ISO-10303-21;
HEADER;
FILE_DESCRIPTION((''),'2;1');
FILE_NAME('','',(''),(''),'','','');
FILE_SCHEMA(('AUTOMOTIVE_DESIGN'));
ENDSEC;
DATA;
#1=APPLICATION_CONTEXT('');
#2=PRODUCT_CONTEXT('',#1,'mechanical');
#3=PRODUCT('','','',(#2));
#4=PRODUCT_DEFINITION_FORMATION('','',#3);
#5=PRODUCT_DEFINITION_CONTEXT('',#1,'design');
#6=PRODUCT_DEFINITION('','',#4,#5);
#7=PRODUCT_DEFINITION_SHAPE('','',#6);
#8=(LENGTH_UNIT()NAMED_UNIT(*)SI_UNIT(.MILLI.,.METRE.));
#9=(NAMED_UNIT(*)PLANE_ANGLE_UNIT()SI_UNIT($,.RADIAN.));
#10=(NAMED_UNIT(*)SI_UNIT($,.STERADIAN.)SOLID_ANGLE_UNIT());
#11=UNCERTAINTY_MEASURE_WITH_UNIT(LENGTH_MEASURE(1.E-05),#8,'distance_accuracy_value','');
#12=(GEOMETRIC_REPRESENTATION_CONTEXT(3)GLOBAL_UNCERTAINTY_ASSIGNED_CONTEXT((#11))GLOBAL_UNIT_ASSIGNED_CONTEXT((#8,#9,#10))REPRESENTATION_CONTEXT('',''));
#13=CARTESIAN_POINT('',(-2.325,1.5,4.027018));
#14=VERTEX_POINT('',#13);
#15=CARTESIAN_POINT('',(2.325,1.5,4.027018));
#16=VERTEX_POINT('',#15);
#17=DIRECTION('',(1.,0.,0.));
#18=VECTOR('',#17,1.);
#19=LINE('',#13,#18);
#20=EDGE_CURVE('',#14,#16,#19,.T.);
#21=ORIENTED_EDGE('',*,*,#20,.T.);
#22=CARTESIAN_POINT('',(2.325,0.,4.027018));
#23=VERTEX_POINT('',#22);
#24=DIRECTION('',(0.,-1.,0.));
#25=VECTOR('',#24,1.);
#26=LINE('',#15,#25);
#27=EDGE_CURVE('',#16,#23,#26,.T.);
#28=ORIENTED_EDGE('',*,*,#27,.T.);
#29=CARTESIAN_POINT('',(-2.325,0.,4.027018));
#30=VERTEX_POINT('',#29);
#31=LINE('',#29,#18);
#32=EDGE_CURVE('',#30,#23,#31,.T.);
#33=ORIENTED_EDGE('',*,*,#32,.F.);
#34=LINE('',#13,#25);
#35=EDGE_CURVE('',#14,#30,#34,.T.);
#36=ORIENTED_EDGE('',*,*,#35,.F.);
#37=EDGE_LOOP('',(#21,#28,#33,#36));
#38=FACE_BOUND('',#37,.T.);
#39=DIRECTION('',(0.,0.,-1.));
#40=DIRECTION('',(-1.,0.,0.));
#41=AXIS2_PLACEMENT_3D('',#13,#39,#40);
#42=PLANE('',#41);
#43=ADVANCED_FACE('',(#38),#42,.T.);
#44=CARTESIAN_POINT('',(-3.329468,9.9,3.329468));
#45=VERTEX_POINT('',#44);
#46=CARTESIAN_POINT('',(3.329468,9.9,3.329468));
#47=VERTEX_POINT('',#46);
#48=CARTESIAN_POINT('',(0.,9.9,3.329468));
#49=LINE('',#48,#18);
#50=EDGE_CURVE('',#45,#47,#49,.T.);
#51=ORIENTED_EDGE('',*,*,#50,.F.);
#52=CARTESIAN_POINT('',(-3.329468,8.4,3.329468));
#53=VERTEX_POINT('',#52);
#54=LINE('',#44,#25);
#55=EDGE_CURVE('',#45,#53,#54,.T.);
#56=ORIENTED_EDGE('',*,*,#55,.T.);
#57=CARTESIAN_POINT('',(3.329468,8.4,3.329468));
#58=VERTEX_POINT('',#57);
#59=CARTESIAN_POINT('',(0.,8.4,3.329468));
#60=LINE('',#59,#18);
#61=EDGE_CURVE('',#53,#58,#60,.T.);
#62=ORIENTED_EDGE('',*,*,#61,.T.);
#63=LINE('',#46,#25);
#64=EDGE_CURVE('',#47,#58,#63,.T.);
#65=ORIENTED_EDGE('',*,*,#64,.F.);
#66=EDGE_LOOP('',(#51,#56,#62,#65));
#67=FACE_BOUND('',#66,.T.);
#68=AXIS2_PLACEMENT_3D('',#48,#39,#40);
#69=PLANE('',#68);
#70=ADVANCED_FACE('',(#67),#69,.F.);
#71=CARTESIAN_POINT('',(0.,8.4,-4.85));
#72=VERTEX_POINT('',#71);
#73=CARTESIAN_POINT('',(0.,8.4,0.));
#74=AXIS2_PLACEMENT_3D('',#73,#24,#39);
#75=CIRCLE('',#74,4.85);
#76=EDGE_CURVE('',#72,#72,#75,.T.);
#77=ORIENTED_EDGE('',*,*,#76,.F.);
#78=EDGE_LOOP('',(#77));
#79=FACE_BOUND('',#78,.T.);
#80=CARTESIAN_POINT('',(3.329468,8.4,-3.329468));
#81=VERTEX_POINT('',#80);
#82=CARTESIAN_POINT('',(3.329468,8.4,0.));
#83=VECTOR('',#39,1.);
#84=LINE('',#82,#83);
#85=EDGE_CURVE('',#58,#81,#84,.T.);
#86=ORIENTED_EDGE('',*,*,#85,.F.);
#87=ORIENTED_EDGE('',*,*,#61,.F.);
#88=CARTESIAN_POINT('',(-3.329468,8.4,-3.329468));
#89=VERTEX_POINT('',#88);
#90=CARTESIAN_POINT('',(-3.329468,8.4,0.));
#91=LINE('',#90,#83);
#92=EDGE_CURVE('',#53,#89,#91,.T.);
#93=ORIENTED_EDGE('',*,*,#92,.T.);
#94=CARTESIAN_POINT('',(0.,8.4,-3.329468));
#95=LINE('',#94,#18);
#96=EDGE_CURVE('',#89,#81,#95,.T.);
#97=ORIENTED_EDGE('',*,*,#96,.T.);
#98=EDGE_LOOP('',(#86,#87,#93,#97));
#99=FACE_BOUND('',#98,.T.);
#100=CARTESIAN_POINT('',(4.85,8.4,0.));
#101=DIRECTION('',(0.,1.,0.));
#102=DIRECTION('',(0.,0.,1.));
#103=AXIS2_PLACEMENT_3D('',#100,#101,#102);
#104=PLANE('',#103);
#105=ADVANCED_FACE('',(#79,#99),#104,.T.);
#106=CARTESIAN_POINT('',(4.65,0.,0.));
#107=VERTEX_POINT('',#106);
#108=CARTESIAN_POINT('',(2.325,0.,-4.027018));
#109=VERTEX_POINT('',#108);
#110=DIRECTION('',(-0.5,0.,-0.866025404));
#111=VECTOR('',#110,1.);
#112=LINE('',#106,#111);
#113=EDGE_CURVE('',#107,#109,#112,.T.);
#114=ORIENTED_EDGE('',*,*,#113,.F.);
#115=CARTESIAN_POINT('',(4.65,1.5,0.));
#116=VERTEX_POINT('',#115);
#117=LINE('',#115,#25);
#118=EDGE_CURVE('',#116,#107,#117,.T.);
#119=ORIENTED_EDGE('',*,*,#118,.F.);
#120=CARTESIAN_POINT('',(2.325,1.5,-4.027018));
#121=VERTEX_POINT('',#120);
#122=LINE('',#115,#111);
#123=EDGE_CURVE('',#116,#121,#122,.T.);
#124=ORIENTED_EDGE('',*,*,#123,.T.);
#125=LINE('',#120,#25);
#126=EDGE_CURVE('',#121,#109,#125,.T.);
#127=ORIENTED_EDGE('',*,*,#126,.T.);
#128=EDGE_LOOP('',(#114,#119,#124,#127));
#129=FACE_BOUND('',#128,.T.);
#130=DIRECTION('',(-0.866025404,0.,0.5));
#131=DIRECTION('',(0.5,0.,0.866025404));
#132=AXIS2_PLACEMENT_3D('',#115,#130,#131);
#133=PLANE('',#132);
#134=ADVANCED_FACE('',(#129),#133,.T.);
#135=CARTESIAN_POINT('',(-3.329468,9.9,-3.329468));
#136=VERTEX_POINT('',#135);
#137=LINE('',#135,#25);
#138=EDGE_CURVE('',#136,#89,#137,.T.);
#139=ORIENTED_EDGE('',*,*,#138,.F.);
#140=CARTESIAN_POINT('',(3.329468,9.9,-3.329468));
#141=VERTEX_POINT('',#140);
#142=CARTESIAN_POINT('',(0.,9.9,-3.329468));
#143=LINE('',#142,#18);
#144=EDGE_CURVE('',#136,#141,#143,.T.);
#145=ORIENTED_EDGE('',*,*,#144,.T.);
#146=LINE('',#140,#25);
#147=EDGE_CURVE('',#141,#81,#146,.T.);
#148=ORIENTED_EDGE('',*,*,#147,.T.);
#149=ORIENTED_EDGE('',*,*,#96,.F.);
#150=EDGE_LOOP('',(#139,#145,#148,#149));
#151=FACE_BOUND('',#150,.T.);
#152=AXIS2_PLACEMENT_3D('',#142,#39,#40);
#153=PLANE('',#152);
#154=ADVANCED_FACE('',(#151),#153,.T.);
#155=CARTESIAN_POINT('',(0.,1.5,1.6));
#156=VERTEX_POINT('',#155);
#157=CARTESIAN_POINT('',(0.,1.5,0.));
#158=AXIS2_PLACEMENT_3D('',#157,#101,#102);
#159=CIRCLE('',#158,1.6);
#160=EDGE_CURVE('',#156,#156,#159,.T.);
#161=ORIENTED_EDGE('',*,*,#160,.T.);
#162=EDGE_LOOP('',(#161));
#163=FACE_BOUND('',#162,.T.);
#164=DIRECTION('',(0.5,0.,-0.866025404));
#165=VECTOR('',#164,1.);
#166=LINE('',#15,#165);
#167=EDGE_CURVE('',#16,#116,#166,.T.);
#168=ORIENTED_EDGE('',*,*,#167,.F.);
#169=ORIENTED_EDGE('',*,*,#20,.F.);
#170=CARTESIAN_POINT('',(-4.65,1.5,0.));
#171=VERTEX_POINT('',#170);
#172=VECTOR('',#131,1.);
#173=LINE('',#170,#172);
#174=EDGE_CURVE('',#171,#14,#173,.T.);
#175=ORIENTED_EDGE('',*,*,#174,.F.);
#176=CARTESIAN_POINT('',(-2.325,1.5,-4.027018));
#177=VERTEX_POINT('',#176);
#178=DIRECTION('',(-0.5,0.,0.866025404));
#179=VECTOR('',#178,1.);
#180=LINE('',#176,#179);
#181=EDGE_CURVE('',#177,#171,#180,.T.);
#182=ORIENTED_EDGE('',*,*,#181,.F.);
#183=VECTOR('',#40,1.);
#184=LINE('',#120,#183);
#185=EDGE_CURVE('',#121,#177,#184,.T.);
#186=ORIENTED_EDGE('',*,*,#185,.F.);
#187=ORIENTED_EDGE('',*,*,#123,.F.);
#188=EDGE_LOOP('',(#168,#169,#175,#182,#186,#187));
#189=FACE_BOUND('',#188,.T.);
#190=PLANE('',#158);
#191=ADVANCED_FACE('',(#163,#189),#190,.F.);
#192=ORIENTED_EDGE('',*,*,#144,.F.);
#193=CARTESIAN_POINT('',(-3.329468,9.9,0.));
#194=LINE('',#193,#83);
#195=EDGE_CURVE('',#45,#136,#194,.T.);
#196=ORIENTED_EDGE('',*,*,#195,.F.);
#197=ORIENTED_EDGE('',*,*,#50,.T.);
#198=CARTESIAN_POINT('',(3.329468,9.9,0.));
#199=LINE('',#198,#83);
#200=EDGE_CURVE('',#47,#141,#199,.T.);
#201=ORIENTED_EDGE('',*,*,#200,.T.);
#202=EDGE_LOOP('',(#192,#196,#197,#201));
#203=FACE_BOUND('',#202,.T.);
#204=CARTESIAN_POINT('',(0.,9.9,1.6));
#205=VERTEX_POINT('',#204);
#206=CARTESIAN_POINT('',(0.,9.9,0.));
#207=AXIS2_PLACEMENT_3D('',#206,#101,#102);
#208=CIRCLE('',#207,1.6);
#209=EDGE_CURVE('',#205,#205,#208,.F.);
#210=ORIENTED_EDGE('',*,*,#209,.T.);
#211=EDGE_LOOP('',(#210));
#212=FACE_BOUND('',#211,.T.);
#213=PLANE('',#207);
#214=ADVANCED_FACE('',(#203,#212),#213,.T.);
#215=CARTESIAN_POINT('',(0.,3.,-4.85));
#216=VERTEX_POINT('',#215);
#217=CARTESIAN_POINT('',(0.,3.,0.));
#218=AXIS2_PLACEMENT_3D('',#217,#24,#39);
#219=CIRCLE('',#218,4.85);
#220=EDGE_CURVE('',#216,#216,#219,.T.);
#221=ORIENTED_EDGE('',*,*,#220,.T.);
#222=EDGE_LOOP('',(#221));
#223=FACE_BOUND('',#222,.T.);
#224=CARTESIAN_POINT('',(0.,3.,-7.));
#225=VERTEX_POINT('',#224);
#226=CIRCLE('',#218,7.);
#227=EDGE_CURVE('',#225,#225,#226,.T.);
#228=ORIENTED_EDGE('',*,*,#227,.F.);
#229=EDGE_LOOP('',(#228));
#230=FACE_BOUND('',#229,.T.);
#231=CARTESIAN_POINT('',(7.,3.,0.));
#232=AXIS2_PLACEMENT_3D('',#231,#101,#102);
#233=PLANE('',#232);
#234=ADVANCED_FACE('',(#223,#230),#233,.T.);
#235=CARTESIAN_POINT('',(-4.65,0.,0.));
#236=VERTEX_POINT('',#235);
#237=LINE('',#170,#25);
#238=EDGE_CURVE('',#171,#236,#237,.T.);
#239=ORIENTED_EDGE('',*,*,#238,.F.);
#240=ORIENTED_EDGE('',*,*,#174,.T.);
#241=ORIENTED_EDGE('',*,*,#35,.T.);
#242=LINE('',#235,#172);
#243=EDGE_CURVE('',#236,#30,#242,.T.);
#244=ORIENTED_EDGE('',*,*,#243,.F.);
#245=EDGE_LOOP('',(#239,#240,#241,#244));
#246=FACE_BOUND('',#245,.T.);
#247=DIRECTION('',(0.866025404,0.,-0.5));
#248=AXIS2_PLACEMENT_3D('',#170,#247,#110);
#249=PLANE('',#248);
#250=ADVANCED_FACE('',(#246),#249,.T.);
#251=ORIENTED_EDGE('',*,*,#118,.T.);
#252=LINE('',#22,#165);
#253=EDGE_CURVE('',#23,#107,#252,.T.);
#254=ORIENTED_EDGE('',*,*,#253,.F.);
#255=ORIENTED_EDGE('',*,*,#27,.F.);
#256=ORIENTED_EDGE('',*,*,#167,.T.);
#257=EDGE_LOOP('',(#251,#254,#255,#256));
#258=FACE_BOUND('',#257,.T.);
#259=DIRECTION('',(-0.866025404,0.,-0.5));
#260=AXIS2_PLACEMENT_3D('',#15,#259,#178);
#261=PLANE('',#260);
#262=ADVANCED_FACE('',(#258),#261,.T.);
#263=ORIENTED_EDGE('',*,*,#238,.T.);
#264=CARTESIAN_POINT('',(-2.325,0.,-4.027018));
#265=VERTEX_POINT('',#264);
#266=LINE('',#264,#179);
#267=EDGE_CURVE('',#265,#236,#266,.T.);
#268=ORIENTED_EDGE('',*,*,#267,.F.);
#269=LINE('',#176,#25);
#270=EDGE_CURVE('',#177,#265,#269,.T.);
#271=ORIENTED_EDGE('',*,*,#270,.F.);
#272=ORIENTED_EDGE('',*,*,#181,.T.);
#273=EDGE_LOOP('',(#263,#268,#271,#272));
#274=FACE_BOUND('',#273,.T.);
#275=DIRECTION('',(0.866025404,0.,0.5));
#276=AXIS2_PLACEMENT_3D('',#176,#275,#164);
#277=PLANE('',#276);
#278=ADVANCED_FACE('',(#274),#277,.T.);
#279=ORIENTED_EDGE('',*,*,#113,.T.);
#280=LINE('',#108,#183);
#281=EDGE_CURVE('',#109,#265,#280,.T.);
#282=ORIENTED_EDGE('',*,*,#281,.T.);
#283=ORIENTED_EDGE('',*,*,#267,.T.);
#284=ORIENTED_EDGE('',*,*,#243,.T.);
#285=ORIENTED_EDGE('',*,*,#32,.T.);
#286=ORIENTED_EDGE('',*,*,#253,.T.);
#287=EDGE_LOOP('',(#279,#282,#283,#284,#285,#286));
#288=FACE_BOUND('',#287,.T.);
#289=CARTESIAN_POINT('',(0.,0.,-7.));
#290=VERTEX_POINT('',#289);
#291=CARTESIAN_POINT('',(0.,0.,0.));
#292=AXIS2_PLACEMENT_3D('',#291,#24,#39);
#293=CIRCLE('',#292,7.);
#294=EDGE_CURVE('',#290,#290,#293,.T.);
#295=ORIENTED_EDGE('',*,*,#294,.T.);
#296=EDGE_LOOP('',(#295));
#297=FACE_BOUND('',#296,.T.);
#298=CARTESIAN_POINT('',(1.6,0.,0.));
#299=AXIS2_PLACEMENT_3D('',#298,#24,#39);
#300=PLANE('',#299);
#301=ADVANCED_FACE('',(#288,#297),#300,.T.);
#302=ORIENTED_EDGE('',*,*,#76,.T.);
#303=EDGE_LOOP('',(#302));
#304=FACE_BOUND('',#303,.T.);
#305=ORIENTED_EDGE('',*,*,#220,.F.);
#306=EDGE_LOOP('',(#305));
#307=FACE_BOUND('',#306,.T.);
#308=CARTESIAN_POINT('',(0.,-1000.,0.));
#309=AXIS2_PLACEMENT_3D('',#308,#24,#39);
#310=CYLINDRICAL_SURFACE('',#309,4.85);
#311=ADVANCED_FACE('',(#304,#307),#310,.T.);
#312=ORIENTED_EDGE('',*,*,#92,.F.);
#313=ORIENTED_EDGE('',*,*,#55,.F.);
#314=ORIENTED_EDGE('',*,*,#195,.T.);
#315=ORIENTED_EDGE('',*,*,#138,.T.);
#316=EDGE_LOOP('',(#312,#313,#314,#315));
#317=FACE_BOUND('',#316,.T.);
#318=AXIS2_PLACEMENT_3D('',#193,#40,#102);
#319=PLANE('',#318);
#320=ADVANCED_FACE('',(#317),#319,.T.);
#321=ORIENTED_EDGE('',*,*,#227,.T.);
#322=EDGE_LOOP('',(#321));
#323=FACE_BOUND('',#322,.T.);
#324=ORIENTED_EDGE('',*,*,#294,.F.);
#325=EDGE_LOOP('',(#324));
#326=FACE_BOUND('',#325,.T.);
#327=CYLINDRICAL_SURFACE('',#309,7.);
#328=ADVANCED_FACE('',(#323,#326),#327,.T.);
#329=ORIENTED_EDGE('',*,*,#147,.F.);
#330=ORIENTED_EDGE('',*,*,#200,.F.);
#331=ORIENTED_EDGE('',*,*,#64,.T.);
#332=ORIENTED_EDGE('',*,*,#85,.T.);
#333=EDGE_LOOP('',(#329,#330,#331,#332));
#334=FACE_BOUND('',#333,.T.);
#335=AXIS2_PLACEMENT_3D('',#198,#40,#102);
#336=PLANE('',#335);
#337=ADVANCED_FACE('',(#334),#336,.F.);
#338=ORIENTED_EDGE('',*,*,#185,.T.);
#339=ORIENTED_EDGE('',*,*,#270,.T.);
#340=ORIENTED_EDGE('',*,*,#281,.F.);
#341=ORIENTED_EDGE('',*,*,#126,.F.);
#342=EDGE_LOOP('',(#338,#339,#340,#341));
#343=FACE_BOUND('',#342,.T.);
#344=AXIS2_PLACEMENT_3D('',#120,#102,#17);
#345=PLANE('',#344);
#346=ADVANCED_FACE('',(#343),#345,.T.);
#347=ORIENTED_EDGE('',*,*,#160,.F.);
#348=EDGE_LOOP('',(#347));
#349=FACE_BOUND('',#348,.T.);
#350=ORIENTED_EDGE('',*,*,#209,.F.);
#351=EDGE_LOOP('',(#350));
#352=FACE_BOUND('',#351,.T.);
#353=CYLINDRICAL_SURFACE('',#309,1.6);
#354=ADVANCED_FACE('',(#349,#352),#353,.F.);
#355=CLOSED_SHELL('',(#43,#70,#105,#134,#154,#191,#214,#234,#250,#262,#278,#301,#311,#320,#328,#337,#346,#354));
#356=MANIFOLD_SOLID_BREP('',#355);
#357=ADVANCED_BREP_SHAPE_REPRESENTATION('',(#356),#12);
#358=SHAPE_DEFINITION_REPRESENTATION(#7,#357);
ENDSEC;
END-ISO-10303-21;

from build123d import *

# Parameters (mm, degrees)
CROQUIS2_W              = 6.658935778
CROQUIS2_H              = 6.658935778
CROQUIS2_R              = 1.6
SALIENTE_EXTRUIR1_DEPTH = 1.5
CORTAR_EXTRUIR1_DEPTH   = 1.5


with BuildPart() as part:
    # Croquis1 → Revolución1 (revolve)
    with BuildSketch(Plane.XY, mode=Mode.PRIVATE) as revoluci_n1_sk:
        Polygon((1.6, 0), (7, 0), (7, 3), (4.85, 3), (4.85, 8.4), (1.6, 8.4), align=None)
    revolve(revoluci_n1_sk.sketch.rotate(Axis((0, -1000, 0), (0, 1, 0)), 90), axis=Axis((0, -1000, 0), (0, 1, 0)))

    # Croquis2 → Saliente-Extruir1 (add)
    with BuildSketch(Plane(origin=(0, 8.4, 0), x_dir=(1, 0, 0), z_dir=(0, 1, 0))):
        Rectangle(CROQUIS2_W, CROQUIS2_H)
        with Locations(Location((0, 0, 0), (0, 0, 90))):
            Circle(CROQUIS2_R, mode=Mode.SUBTRACT)
    extrude(amount=SALIENTE_EXTRUIR1_DEPTH)

    # Croquis3 → Cortar-Extruir1 (cut)
    with BuildSketch(Plane(origin=(0, 0, 0), x_dir=(1, 0, 0), z_dir=(0, 1, 0))):
        Polygon((4.65, 0), (2.325, 4.027018128), (-2.325, 4.027018128), (-4.65, 0), (-2.325, -4.027018128), (2.325, -4.027018128), align=None)
    extrude(amount=CORTAR_EXTRUIR1_DEPTH, mode=Mode.SUBTRACT)


solid = part.part
